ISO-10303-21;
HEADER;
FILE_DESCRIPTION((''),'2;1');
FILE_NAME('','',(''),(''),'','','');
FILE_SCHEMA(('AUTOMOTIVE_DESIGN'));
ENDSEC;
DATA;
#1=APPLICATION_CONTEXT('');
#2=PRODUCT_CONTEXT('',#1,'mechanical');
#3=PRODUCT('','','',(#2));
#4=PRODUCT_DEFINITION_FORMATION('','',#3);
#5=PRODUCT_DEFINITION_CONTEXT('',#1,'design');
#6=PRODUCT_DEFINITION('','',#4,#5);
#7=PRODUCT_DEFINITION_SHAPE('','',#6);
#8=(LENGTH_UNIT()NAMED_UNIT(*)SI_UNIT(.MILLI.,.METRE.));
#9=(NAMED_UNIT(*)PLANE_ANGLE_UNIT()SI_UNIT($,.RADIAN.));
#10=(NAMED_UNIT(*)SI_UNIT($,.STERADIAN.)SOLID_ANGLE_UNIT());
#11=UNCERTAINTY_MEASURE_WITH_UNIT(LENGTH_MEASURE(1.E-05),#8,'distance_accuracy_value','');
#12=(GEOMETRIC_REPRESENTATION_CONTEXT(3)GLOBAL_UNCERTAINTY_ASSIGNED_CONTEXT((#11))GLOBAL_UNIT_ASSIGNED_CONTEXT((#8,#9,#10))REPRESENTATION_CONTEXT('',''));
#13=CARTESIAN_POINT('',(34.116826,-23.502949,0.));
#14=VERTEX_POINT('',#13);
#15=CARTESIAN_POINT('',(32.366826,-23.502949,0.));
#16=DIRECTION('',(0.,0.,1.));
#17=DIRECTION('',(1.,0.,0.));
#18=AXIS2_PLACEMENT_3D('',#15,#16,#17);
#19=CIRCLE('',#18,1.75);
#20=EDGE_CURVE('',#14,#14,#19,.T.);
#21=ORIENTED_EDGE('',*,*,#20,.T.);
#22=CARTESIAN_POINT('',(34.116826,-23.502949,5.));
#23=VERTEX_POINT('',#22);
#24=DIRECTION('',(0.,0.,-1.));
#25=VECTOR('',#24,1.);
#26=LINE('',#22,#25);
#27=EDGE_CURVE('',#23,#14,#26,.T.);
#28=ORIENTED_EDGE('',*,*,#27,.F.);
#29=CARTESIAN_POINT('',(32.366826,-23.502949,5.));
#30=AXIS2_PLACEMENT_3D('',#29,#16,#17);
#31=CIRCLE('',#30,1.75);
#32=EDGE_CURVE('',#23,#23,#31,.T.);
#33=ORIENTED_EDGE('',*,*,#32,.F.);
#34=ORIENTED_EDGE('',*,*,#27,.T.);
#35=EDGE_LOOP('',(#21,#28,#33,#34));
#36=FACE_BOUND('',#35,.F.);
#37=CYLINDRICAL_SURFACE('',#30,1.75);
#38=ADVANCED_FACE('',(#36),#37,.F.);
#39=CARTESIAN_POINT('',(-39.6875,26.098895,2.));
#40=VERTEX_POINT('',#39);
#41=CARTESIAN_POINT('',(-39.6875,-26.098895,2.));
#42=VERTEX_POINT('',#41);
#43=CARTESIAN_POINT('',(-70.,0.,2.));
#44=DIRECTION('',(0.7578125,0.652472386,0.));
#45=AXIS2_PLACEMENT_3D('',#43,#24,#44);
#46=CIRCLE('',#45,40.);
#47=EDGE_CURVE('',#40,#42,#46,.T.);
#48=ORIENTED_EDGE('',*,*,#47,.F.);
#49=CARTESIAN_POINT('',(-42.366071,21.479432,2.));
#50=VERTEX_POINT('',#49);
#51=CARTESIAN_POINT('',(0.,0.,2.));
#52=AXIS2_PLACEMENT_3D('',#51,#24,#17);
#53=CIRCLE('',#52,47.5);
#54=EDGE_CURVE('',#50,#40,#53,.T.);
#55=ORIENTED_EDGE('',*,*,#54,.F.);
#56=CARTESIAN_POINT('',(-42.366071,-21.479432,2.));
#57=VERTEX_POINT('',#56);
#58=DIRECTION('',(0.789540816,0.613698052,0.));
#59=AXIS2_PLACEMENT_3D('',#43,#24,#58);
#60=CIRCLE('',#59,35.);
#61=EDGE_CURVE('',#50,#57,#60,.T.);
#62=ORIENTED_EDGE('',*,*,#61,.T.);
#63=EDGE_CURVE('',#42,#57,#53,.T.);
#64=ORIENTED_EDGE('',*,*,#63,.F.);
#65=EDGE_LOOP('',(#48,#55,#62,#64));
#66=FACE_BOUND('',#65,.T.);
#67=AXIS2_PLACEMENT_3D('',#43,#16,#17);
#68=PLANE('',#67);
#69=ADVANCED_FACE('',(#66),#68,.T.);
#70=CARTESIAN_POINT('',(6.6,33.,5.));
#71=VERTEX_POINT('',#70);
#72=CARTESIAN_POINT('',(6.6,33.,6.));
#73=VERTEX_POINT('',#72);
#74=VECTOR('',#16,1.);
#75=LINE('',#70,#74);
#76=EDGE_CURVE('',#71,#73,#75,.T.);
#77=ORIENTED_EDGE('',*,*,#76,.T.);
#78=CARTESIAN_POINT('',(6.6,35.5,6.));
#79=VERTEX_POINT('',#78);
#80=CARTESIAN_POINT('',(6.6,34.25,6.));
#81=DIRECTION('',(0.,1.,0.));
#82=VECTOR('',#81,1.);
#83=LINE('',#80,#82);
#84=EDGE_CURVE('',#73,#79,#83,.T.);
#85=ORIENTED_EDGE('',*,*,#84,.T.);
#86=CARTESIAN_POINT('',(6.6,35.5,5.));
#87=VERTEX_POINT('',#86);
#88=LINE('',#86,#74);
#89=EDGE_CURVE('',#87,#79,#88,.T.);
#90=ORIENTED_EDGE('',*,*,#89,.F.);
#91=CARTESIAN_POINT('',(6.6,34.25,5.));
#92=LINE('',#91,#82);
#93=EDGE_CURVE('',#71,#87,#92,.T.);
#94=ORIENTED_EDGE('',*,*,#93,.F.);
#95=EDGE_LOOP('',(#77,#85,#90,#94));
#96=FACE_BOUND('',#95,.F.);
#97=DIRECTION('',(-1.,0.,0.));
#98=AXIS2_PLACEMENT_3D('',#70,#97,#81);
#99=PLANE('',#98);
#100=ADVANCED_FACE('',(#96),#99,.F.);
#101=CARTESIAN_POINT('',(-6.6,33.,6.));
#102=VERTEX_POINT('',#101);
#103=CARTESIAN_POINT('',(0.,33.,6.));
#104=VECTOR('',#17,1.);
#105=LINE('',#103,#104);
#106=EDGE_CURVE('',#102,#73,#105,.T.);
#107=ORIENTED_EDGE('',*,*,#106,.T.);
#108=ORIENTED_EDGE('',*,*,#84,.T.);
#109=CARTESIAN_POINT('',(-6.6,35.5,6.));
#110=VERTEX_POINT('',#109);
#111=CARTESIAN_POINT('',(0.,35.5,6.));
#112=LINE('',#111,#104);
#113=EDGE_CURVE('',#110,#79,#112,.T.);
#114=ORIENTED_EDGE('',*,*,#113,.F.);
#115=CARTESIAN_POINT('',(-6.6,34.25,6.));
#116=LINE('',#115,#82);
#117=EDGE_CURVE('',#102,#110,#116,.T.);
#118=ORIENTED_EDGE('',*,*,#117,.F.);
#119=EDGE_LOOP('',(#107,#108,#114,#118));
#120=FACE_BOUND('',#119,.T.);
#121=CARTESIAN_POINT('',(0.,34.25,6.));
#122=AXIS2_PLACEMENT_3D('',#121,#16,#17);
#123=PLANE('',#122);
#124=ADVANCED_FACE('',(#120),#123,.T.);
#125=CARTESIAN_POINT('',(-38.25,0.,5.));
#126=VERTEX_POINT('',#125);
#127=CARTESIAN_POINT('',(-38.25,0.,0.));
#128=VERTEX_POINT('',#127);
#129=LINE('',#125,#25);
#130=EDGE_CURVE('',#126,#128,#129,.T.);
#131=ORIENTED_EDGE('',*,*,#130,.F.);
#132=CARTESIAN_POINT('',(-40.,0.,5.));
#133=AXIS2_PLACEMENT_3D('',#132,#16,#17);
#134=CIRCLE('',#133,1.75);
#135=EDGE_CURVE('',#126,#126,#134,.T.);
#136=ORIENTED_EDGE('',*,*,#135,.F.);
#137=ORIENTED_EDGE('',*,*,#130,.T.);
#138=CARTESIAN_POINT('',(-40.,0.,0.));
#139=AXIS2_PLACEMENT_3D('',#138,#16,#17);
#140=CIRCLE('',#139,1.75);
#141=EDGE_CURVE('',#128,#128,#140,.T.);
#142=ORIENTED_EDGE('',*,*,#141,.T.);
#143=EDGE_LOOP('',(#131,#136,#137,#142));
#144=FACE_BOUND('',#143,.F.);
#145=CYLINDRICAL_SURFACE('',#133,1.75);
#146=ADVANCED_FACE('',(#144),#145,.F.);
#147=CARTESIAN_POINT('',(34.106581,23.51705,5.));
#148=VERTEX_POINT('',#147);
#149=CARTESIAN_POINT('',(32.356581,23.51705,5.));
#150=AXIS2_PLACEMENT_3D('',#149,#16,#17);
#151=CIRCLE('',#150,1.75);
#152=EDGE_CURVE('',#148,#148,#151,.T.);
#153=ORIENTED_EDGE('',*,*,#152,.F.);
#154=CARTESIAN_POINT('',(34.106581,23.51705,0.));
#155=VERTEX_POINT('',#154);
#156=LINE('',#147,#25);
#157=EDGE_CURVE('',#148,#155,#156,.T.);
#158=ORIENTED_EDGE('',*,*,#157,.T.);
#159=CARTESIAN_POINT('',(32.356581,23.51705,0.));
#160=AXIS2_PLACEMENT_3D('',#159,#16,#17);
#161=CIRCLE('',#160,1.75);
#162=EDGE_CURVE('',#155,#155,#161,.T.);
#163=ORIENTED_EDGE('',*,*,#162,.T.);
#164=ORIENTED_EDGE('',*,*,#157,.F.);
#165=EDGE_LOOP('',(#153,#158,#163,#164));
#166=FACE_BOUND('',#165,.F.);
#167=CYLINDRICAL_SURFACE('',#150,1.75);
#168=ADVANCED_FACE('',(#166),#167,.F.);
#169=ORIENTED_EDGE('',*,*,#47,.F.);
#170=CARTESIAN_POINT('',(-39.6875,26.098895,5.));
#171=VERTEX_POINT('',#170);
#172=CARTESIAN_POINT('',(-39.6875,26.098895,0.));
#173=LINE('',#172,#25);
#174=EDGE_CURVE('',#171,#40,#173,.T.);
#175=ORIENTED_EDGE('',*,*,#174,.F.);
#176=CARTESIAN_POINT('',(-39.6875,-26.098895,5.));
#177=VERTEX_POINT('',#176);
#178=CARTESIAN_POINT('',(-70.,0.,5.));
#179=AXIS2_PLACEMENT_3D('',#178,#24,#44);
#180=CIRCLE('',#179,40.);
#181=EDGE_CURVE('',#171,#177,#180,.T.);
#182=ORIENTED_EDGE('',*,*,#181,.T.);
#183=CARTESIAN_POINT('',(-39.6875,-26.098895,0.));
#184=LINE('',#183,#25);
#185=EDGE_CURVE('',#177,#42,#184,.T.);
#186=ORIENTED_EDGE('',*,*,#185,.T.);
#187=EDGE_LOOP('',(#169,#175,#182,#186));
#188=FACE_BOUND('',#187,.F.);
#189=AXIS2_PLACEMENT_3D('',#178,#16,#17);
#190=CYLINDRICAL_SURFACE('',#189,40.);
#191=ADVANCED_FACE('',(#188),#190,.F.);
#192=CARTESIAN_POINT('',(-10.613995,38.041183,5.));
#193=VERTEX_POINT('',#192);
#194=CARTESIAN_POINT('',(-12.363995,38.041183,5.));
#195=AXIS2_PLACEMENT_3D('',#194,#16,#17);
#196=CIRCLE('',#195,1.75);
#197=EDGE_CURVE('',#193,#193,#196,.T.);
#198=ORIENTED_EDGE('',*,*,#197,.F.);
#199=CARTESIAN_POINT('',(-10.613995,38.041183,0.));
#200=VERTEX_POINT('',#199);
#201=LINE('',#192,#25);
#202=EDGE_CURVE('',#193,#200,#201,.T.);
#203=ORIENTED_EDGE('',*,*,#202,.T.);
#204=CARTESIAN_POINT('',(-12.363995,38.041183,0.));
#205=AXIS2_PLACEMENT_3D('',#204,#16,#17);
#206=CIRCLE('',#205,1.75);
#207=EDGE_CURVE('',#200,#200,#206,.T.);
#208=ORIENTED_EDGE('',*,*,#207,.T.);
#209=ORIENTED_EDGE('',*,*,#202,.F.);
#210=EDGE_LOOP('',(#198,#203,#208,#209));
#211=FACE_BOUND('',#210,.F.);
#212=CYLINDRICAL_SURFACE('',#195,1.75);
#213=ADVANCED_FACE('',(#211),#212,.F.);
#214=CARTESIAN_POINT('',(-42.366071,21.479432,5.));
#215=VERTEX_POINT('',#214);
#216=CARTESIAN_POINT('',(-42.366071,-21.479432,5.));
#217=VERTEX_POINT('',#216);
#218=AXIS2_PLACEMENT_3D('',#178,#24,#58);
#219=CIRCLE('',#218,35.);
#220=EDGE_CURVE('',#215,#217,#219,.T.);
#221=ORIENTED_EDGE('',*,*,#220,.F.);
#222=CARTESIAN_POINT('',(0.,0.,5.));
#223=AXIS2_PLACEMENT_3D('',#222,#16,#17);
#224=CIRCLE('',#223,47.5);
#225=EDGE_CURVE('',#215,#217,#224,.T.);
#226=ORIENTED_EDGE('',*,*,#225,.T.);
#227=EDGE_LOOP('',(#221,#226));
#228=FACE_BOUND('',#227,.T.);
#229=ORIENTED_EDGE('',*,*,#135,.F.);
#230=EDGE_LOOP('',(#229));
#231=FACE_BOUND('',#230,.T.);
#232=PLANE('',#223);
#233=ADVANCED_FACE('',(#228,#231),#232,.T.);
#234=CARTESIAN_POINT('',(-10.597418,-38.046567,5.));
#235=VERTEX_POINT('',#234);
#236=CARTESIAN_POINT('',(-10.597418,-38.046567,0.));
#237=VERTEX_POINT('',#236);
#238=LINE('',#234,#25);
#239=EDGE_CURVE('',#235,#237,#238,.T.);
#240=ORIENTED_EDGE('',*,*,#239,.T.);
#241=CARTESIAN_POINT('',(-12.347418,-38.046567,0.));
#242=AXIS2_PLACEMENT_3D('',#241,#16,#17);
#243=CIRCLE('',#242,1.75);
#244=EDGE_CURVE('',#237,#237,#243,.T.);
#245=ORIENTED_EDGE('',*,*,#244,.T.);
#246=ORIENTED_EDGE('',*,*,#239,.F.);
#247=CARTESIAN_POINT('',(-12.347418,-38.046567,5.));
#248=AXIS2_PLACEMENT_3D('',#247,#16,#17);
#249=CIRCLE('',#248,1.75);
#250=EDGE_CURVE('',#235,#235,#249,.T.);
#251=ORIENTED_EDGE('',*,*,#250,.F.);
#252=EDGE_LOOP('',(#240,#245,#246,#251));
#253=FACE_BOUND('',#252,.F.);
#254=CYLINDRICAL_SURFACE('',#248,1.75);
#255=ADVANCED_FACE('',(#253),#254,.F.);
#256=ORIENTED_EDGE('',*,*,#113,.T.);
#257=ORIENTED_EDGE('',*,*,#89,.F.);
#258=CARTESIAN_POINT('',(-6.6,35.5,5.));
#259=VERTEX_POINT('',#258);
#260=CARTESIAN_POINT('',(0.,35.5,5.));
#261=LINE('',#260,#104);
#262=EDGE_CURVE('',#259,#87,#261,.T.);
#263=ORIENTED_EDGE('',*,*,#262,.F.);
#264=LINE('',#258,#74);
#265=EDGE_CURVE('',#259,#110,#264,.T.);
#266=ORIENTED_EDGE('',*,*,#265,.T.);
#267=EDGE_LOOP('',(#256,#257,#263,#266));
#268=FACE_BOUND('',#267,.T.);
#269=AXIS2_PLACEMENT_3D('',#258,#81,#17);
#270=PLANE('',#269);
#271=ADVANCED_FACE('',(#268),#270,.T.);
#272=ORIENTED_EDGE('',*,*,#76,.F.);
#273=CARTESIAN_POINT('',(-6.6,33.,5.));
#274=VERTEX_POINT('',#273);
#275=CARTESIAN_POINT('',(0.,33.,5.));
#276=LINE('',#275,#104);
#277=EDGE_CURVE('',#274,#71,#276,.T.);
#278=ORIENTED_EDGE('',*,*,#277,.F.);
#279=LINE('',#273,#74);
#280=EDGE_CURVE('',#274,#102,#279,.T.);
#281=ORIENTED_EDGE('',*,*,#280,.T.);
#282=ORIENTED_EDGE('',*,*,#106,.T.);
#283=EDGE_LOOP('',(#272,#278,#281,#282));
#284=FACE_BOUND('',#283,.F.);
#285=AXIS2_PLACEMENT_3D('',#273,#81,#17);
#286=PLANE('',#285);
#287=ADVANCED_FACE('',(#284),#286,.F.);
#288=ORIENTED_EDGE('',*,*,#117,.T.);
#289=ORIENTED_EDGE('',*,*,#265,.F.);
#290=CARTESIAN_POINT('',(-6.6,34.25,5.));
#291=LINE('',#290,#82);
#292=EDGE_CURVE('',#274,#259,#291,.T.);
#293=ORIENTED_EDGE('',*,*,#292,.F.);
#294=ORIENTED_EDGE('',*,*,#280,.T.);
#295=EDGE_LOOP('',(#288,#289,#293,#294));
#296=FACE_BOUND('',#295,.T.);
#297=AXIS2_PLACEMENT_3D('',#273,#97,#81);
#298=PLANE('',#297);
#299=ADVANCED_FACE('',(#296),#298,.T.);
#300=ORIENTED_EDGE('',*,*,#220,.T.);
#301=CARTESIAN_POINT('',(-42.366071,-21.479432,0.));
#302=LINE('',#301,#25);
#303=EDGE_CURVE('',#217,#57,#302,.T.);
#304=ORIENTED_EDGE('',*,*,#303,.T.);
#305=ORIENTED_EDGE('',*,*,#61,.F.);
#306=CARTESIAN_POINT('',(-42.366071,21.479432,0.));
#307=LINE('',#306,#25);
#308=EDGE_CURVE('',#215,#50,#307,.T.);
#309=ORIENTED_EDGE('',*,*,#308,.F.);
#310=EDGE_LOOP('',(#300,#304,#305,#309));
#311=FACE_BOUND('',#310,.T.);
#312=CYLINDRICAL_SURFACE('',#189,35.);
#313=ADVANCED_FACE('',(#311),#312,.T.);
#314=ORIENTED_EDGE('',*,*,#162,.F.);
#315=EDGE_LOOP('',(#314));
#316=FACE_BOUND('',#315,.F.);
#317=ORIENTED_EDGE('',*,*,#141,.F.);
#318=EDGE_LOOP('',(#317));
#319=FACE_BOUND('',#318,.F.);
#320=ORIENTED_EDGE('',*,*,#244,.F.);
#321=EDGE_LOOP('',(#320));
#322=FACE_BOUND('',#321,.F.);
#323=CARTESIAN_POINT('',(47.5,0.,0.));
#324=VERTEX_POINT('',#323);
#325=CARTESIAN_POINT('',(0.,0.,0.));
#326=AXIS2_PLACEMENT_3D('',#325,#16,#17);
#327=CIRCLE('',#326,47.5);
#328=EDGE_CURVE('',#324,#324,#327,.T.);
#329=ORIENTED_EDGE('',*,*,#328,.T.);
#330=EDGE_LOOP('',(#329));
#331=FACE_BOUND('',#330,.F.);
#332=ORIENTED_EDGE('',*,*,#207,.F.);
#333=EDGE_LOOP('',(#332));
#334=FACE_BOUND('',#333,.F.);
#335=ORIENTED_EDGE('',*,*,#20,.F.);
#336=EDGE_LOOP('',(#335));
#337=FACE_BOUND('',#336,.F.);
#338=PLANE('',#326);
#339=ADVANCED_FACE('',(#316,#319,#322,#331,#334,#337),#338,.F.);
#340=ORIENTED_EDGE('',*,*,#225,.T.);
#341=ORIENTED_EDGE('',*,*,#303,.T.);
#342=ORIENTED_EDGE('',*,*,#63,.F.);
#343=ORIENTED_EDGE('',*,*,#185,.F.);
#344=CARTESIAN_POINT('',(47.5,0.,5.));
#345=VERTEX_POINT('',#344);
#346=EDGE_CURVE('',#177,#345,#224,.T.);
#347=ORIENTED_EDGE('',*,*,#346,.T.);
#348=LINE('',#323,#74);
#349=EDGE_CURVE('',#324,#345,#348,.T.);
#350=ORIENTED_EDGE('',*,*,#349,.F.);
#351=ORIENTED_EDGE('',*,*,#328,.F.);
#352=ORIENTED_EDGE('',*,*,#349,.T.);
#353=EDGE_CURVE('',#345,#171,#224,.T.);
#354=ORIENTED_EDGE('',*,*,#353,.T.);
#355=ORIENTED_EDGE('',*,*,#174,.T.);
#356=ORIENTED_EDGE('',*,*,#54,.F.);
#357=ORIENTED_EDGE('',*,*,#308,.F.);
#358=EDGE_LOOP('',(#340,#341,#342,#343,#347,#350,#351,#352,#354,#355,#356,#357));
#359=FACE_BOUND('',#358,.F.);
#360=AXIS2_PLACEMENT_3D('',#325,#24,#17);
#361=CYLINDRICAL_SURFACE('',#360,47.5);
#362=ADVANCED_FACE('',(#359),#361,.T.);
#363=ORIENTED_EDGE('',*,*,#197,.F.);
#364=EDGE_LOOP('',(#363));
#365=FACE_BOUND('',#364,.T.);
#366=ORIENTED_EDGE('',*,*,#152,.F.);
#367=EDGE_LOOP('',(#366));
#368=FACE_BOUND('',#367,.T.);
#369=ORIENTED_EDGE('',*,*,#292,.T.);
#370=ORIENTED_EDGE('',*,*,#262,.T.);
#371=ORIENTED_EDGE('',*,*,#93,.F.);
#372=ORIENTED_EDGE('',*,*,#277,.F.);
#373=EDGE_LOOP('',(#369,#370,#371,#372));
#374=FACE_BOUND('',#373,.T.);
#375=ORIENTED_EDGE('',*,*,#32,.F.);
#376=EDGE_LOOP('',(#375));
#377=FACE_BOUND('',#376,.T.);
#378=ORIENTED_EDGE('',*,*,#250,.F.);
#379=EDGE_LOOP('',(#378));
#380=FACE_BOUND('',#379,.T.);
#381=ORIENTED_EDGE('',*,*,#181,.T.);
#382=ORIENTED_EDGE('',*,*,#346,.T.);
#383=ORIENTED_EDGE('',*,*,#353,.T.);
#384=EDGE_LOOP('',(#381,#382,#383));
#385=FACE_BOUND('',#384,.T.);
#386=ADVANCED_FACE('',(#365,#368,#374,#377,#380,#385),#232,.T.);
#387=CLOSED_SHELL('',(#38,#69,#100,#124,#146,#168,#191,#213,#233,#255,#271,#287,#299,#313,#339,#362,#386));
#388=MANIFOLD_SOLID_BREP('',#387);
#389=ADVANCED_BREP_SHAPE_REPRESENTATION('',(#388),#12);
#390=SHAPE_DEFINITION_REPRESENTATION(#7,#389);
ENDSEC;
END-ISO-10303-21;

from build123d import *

# Parameters (mm, degrees)
SKETCH008_R     = 47.5
PAD004_DEPTH    = 5
SKETCH009_R     = 40
SKETCH009_R_2   = 35
POCKET002_DEPTH = 3
SKETCH015_R     = 1.75
POCKET008_DEPTH = 5
SKETCH022_W     = 13.2
SKETCH022_H     = 2.5
PAD006_DEPTH    = 1


with BuildPart() as part:
    # Sketch008 → Pad004 (new body)
    with BuildSketch(Plane.XY):
        Circle(SKETCH008_R)
    extrude(amount=PAD004_DEPTH)

    # Sketch009 (on Face3 of Pad004) → Pocket002 (cut)
    with BuildSketch(Plane.XY.offset(5)):
        with Locations((-70, 0)):
            Circle(SKETCH009_R)
        with Locations((-70, 0)):
            Circle(SKETCH009_R_2, mode=Mode.SUBTRACT)
    extrude(amount=-POCKET002_DEPTH, mode=Mode.SUBTRACT)

    # Sketch015 (on Face3 of Pocket002) → Pocket008 (cut)
    with BuildSketch(Plane.XY.offset(5)):
        with Locations((-40, 0)):
            Circle(SKETCH015_R)
        with Locations((-12.363995, 38.041183)):
            Circle(SKETCH015_R)
        with Locations((32.356581, 23.51705)):
            Circle(SKETCH015_R)
        with Locations((32.366826, -23.502949)):
            Circle(SKETCH015_R)
        with Locations((-12.347418, -38.046567)):
            Circle(SKETCH015_R)
    extrude(amount=-POCKET008_DEPTH, mode=Mode.SUBTRACT)

    # Sketch022 (on Face3 of Pocket008) → Pad006 (join)
    with BuildSketch(Plane.XY.offset(5)):
        with Locations((0, 34.25)):
            Rectangle(SKETCH022_W, SKETCH022_H)
    extrude(amount=PAD006_DEPTH)


solid = part.part
